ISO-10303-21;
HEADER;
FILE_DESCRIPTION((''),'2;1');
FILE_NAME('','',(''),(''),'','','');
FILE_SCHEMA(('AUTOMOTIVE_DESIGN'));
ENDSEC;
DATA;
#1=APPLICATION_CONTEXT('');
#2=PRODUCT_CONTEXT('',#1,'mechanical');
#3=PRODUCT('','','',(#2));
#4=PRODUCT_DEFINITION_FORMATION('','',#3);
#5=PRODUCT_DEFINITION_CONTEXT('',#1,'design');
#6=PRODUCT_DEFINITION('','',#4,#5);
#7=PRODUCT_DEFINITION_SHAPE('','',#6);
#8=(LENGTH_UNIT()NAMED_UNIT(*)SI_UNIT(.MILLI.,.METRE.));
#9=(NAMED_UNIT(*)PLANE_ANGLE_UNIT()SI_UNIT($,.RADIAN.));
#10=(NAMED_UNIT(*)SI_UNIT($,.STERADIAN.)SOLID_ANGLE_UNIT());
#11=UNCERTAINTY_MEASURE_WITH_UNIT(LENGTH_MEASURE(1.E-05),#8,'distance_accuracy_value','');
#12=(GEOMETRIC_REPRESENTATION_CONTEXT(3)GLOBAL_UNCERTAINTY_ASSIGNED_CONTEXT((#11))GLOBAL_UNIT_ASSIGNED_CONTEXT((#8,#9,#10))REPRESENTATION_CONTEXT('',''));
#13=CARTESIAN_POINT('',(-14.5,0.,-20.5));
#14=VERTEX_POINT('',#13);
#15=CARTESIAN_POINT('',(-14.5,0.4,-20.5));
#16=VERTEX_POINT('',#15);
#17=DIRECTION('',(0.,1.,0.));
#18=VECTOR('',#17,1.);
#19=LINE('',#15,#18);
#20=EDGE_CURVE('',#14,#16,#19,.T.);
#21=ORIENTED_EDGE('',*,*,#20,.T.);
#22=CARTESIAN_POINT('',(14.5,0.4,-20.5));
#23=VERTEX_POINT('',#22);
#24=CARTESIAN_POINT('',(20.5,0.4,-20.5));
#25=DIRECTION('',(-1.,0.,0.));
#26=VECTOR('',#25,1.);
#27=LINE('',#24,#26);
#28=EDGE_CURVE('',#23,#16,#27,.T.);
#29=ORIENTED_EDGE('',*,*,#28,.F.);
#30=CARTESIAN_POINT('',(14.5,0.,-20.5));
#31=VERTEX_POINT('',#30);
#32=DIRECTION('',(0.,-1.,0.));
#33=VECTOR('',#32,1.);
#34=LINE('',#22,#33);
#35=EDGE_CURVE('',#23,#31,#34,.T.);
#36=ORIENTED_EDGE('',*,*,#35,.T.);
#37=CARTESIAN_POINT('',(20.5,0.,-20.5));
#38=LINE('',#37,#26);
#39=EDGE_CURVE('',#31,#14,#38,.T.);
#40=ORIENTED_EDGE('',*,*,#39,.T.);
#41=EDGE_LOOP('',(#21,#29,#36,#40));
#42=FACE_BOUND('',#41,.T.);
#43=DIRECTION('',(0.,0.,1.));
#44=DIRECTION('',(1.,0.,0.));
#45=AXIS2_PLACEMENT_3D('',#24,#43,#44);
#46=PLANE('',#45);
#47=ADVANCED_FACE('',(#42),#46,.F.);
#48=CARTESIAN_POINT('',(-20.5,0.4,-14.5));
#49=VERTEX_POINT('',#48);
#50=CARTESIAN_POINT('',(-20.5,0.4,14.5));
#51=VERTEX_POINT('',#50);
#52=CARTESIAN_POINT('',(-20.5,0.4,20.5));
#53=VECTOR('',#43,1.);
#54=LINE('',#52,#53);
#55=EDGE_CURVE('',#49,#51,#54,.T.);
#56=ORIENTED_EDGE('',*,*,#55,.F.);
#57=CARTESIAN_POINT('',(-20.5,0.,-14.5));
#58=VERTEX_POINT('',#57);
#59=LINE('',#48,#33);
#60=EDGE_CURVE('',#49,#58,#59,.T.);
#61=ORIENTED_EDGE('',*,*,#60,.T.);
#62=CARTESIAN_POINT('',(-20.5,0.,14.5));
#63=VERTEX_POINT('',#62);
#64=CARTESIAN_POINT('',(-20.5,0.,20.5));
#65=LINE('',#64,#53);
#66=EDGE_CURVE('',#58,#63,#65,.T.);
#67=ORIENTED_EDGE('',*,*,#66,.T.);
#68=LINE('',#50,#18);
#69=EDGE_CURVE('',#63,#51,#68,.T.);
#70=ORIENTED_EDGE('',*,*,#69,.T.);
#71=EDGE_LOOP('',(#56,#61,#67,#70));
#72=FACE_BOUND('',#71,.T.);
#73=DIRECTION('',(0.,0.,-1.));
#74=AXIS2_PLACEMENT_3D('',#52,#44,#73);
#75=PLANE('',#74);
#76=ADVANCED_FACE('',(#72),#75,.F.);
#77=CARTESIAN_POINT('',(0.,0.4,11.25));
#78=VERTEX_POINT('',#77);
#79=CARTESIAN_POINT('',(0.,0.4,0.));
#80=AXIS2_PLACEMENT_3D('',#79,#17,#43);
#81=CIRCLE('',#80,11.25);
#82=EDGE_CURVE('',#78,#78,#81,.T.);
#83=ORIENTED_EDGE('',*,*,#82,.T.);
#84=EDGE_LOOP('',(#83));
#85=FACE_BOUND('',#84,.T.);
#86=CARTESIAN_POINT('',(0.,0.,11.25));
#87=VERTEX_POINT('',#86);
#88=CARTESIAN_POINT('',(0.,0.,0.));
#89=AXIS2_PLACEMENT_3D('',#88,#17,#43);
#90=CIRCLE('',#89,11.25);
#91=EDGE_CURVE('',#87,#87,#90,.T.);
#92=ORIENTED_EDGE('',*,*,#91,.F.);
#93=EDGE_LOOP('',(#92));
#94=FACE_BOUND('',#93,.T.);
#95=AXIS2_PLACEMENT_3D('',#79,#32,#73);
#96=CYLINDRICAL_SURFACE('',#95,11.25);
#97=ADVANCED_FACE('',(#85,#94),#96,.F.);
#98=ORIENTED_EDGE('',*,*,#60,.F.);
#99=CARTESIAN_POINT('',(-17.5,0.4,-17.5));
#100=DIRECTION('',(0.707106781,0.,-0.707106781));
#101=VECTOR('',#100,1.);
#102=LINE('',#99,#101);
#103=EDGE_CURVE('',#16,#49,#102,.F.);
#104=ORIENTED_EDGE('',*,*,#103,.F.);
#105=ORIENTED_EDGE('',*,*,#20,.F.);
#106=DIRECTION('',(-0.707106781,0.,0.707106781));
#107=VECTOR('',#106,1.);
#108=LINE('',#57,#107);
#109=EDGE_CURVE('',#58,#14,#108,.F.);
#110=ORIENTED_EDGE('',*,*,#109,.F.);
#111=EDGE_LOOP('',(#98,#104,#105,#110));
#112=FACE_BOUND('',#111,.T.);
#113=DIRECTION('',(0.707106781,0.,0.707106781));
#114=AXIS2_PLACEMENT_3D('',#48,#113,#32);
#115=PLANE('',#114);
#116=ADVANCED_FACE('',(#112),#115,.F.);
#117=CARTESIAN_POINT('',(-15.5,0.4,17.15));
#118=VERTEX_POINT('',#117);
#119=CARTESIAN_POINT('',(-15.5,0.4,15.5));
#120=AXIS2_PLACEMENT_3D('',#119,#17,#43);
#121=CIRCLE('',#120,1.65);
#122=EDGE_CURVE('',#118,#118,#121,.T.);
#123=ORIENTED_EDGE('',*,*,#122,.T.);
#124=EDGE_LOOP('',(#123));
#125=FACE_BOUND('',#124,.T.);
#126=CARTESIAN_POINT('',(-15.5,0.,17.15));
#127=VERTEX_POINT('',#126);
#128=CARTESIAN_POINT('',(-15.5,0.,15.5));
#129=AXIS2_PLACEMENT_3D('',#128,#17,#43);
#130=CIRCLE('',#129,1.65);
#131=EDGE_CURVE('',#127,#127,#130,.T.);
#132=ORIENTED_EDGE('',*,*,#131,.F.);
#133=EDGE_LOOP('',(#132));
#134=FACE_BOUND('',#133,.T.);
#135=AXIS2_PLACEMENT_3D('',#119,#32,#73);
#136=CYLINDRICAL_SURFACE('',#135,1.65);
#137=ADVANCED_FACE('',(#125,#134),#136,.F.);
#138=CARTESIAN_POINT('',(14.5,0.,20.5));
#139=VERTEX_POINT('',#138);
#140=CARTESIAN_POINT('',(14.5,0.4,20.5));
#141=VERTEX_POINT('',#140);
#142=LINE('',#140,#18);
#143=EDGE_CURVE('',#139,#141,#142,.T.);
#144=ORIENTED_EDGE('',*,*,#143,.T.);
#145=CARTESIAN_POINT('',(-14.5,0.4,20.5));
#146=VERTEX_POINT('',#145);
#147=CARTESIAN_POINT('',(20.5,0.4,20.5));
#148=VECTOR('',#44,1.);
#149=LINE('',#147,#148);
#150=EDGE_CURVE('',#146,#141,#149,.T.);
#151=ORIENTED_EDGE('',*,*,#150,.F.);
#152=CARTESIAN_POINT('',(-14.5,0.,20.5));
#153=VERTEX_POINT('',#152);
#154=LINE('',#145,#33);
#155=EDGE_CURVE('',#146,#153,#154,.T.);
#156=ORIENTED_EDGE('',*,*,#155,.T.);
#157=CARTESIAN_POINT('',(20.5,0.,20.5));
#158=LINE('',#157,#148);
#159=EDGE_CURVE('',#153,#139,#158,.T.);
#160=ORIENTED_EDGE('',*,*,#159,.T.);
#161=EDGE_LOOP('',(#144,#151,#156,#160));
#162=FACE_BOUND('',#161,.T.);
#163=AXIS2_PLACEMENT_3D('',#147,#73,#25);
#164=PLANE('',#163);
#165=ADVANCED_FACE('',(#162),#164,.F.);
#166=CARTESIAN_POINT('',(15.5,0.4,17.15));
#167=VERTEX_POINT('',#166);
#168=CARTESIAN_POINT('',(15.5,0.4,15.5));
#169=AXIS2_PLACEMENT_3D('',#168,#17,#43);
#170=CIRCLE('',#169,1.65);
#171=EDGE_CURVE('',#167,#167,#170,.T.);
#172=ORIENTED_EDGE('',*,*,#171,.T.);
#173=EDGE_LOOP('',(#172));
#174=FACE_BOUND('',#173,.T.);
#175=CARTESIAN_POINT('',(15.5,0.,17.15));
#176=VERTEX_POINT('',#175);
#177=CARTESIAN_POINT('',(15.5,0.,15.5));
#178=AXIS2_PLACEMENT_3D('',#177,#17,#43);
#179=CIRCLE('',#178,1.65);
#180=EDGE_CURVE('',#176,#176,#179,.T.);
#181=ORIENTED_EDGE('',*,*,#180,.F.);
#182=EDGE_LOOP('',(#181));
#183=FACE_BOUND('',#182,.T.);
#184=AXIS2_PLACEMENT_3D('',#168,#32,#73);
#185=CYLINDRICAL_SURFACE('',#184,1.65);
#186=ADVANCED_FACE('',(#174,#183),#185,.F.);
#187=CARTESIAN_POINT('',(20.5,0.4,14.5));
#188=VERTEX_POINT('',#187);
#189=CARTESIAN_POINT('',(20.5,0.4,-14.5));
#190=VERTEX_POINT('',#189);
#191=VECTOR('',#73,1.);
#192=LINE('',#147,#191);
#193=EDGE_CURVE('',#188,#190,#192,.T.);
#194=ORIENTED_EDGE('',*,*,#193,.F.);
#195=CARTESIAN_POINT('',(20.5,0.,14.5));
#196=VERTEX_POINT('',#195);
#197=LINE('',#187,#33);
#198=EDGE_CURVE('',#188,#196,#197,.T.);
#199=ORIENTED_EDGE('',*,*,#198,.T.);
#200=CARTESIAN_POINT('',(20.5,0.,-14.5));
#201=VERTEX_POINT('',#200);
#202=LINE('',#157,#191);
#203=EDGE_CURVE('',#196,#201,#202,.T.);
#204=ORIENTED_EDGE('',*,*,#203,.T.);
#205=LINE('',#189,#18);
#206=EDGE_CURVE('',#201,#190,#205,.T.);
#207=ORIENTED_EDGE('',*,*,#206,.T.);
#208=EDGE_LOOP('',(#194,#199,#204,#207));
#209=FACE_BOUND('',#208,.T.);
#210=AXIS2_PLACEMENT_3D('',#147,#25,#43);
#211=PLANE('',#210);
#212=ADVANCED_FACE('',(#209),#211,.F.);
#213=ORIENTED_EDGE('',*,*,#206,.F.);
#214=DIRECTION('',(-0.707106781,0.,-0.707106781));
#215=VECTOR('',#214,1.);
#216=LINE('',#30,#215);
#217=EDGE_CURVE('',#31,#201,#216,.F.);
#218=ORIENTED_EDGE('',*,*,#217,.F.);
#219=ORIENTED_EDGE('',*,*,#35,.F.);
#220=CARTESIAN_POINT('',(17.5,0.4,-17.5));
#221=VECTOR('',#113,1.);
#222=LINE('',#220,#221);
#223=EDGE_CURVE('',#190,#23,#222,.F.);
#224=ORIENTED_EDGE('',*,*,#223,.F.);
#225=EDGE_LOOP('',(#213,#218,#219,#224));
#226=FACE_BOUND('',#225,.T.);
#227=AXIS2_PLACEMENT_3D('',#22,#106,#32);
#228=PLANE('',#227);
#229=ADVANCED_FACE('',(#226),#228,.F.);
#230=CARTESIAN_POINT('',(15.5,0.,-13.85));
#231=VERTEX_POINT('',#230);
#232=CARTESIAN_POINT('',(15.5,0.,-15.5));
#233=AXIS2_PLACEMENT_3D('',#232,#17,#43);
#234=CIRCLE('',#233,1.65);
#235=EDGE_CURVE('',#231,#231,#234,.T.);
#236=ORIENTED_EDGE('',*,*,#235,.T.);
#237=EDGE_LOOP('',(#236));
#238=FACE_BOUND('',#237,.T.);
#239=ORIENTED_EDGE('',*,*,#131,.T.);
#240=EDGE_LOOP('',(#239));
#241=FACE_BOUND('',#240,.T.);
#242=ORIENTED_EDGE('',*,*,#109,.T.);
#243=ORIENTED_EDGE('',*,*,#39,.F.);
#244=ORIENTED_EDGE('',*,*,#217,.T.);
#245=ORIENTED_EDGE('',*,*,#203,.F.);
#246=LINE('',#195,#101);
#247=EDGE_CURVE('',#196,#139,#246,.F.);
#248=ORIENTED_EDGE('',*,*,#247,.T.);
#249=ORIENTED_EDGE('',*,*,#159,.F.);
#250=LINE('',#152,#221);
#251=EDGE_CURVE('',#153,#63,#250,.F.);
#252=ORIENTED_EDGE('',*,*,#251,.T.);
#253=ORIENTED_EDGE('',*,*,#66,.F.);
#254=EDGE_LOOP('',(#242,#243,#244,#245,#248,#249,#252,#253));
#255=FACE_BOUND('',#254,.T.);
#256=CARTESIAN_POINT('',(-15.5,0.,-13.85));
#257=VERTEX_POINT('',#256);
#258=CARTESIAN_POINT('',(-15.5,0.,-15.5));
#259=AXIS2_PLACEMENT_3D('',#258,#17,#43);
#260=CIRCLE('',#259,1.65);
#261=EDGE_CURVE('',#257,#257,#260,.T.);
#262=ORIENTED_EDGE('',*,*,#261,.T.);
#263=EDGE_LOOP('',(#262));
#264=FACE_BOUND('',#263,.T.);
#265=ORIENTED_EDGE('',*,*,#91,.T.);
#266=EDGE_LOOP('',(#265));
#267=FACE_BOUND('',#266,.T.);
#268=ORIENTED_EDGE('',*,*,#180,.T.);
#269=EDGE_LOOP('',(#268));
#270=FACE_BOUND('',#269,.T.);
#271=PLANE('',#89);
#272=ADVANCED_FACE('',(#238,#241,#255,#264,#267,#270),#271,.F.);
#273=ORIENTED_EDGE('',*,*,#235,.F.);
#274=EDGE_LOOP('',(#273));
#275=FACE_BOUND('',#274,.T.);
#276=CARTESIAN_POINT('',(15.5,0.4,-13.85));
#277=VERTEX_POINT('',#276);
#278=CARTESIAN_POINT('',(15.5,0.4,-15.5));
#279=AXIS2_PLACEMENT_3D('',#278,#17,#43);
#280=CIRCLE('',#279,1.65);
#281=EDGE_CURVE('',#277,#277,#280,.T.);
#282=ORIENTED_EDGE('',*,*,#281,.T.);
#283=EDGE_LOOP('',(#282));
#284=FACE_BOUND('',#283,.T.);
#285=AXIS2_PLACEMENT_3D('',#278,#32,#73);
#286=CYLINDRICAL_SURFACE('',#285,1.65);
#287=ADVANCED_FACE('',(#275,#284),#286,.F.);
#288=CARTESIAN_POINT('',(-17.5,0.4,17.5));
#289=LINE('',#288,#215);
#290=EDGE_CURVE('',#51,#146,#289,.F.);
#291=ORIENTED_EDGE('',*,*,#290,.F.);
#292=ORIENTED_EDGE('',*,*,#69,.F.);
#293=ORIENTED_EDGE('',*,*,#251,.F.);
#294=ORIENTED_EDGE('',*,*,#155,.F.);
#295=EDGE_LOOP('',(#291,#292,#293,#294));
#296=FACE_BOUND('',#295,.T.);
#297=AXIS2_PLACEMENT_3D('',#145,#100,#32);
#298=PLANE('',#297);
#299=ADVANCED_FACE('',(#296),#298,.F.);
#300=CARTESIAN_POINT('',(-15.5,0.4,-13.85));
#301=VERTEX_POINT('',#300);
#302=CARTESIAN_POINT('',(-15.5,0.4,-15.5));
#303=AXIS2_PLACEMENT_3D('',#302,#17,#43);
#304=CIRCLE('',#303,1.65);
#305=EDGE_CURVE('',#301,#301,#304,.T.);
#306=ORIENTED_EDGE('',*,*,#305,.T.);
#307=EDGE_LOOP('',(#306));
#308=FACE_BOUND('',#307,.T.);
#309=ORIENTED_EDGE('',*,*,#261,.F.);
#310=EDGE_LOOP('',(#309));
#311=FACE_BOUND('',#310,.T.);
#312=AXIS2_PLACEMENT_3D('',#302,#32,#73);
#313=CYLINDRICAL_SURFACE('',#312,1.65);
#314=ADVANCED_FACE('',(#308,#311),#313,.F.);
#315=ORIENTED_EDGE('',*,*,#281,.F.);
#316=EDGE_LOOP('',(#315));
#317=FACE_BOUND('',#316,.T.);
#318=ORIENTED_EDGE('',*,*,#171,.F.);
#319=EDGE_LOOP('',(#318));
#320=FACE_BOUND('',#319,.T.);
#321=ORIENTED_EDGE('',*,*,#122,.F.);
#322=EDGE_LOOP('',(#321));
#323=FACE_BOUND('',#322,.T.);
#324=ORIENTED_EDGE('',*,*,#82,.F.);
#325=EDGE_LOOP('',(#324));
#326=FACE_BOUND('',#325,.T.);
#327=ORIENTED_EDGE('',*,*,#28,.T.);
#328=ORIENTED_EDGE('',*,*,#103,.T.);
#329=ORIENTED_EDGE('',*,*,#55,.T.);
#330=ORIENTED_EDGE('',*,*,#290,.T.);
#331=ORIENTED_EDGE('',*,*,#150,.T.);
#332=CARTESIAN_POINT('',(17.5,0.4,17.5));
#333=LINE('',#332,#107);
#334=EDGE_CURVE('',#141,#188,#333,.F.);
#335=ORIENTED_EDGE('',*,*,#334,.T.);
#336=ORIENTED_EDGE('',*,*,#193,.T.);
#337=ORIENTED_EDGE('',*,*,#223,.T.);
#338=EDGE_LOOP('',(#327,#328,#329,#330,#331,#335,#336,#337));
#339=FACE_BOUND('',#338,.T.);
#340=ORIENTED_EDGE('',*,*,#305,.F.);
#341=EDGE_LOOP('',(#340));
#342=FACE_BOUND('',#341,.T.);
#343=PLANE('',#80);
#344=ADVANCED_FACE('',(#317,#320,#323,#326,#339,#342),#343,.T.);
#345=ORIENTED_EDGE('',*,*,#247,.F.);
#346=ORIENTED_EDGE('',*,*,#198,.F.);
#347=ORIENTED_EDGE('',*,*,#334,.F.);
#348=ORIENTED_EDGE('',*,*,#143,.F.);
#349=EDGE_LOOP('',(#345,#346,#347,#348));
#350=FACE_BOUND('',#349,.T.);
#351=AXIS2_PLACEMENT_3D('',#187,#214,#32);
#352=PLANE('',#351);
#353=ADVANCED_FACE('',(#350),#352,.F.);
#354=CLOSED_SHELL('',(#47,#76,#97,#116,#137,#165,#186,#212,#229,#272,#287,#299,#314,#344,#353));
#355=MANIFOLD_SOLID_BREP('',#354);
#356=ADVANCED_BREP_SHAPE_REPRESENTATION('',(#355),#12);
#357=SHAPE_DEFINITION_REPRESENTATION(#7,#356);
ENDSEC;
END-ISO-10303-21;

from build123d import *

# Parameters (mm, degrees)
SKETCH1_W           = 41
SKETCH1_H           = 41
SKETCH1_R           = 11.25
SKETCH1_R_2         = 1.65
BOSS_EXTRUDE1_DEPTH = 0.4
CHAMFER1_SIZE       = 6


with BuildPart() as part:
    # Sketch1 → Boss-Extrude1 (new body)
    with BuildSketch(Plane(origin=(0, 0, 0), x_dir=(-1, 0, 0), z_dir=(0, 1, 0))):
        Rectangle(SKETCH1_W, SKETCH1_H)
        Circle(SKETCH1_R, mode=Mode.SUBTRACT)
        with Locations((15.5, 15.5)):
            Circle(SKETCH1_R_2, mode=Mode.SUBTRACT)
        with Locations((-15.5, 15.5)):
            Circle(SKETCH1_R_2, mode=Mode.SUBTRACT)
        with Locations((-15.5, -15.5)):
            Circle(SKETCH1_R_2, mode=Mode.SUBTRACT)
        with Locations((15.5, -15.5)):
            Circle(SKETCH1_R_2, mode=Mode.SUBTRACT)
    extrude(amount=BOSS_EXTRUDE1_DEPTH)

    # Chamfer1
    chamfer1_edges = [part.edges().sort_by_distance(p)[0] for p in [
        (-20.5, 0.2, -20.5),
        (20.5, 0.2, -20.5),
        (20.5, 0.2, 20.5),
        (-20.5, 0.2, 20.5),
    ]]
    chamfer(chamfer1_edges, length=CHAMFER1_SIZE)


solid = part.part
